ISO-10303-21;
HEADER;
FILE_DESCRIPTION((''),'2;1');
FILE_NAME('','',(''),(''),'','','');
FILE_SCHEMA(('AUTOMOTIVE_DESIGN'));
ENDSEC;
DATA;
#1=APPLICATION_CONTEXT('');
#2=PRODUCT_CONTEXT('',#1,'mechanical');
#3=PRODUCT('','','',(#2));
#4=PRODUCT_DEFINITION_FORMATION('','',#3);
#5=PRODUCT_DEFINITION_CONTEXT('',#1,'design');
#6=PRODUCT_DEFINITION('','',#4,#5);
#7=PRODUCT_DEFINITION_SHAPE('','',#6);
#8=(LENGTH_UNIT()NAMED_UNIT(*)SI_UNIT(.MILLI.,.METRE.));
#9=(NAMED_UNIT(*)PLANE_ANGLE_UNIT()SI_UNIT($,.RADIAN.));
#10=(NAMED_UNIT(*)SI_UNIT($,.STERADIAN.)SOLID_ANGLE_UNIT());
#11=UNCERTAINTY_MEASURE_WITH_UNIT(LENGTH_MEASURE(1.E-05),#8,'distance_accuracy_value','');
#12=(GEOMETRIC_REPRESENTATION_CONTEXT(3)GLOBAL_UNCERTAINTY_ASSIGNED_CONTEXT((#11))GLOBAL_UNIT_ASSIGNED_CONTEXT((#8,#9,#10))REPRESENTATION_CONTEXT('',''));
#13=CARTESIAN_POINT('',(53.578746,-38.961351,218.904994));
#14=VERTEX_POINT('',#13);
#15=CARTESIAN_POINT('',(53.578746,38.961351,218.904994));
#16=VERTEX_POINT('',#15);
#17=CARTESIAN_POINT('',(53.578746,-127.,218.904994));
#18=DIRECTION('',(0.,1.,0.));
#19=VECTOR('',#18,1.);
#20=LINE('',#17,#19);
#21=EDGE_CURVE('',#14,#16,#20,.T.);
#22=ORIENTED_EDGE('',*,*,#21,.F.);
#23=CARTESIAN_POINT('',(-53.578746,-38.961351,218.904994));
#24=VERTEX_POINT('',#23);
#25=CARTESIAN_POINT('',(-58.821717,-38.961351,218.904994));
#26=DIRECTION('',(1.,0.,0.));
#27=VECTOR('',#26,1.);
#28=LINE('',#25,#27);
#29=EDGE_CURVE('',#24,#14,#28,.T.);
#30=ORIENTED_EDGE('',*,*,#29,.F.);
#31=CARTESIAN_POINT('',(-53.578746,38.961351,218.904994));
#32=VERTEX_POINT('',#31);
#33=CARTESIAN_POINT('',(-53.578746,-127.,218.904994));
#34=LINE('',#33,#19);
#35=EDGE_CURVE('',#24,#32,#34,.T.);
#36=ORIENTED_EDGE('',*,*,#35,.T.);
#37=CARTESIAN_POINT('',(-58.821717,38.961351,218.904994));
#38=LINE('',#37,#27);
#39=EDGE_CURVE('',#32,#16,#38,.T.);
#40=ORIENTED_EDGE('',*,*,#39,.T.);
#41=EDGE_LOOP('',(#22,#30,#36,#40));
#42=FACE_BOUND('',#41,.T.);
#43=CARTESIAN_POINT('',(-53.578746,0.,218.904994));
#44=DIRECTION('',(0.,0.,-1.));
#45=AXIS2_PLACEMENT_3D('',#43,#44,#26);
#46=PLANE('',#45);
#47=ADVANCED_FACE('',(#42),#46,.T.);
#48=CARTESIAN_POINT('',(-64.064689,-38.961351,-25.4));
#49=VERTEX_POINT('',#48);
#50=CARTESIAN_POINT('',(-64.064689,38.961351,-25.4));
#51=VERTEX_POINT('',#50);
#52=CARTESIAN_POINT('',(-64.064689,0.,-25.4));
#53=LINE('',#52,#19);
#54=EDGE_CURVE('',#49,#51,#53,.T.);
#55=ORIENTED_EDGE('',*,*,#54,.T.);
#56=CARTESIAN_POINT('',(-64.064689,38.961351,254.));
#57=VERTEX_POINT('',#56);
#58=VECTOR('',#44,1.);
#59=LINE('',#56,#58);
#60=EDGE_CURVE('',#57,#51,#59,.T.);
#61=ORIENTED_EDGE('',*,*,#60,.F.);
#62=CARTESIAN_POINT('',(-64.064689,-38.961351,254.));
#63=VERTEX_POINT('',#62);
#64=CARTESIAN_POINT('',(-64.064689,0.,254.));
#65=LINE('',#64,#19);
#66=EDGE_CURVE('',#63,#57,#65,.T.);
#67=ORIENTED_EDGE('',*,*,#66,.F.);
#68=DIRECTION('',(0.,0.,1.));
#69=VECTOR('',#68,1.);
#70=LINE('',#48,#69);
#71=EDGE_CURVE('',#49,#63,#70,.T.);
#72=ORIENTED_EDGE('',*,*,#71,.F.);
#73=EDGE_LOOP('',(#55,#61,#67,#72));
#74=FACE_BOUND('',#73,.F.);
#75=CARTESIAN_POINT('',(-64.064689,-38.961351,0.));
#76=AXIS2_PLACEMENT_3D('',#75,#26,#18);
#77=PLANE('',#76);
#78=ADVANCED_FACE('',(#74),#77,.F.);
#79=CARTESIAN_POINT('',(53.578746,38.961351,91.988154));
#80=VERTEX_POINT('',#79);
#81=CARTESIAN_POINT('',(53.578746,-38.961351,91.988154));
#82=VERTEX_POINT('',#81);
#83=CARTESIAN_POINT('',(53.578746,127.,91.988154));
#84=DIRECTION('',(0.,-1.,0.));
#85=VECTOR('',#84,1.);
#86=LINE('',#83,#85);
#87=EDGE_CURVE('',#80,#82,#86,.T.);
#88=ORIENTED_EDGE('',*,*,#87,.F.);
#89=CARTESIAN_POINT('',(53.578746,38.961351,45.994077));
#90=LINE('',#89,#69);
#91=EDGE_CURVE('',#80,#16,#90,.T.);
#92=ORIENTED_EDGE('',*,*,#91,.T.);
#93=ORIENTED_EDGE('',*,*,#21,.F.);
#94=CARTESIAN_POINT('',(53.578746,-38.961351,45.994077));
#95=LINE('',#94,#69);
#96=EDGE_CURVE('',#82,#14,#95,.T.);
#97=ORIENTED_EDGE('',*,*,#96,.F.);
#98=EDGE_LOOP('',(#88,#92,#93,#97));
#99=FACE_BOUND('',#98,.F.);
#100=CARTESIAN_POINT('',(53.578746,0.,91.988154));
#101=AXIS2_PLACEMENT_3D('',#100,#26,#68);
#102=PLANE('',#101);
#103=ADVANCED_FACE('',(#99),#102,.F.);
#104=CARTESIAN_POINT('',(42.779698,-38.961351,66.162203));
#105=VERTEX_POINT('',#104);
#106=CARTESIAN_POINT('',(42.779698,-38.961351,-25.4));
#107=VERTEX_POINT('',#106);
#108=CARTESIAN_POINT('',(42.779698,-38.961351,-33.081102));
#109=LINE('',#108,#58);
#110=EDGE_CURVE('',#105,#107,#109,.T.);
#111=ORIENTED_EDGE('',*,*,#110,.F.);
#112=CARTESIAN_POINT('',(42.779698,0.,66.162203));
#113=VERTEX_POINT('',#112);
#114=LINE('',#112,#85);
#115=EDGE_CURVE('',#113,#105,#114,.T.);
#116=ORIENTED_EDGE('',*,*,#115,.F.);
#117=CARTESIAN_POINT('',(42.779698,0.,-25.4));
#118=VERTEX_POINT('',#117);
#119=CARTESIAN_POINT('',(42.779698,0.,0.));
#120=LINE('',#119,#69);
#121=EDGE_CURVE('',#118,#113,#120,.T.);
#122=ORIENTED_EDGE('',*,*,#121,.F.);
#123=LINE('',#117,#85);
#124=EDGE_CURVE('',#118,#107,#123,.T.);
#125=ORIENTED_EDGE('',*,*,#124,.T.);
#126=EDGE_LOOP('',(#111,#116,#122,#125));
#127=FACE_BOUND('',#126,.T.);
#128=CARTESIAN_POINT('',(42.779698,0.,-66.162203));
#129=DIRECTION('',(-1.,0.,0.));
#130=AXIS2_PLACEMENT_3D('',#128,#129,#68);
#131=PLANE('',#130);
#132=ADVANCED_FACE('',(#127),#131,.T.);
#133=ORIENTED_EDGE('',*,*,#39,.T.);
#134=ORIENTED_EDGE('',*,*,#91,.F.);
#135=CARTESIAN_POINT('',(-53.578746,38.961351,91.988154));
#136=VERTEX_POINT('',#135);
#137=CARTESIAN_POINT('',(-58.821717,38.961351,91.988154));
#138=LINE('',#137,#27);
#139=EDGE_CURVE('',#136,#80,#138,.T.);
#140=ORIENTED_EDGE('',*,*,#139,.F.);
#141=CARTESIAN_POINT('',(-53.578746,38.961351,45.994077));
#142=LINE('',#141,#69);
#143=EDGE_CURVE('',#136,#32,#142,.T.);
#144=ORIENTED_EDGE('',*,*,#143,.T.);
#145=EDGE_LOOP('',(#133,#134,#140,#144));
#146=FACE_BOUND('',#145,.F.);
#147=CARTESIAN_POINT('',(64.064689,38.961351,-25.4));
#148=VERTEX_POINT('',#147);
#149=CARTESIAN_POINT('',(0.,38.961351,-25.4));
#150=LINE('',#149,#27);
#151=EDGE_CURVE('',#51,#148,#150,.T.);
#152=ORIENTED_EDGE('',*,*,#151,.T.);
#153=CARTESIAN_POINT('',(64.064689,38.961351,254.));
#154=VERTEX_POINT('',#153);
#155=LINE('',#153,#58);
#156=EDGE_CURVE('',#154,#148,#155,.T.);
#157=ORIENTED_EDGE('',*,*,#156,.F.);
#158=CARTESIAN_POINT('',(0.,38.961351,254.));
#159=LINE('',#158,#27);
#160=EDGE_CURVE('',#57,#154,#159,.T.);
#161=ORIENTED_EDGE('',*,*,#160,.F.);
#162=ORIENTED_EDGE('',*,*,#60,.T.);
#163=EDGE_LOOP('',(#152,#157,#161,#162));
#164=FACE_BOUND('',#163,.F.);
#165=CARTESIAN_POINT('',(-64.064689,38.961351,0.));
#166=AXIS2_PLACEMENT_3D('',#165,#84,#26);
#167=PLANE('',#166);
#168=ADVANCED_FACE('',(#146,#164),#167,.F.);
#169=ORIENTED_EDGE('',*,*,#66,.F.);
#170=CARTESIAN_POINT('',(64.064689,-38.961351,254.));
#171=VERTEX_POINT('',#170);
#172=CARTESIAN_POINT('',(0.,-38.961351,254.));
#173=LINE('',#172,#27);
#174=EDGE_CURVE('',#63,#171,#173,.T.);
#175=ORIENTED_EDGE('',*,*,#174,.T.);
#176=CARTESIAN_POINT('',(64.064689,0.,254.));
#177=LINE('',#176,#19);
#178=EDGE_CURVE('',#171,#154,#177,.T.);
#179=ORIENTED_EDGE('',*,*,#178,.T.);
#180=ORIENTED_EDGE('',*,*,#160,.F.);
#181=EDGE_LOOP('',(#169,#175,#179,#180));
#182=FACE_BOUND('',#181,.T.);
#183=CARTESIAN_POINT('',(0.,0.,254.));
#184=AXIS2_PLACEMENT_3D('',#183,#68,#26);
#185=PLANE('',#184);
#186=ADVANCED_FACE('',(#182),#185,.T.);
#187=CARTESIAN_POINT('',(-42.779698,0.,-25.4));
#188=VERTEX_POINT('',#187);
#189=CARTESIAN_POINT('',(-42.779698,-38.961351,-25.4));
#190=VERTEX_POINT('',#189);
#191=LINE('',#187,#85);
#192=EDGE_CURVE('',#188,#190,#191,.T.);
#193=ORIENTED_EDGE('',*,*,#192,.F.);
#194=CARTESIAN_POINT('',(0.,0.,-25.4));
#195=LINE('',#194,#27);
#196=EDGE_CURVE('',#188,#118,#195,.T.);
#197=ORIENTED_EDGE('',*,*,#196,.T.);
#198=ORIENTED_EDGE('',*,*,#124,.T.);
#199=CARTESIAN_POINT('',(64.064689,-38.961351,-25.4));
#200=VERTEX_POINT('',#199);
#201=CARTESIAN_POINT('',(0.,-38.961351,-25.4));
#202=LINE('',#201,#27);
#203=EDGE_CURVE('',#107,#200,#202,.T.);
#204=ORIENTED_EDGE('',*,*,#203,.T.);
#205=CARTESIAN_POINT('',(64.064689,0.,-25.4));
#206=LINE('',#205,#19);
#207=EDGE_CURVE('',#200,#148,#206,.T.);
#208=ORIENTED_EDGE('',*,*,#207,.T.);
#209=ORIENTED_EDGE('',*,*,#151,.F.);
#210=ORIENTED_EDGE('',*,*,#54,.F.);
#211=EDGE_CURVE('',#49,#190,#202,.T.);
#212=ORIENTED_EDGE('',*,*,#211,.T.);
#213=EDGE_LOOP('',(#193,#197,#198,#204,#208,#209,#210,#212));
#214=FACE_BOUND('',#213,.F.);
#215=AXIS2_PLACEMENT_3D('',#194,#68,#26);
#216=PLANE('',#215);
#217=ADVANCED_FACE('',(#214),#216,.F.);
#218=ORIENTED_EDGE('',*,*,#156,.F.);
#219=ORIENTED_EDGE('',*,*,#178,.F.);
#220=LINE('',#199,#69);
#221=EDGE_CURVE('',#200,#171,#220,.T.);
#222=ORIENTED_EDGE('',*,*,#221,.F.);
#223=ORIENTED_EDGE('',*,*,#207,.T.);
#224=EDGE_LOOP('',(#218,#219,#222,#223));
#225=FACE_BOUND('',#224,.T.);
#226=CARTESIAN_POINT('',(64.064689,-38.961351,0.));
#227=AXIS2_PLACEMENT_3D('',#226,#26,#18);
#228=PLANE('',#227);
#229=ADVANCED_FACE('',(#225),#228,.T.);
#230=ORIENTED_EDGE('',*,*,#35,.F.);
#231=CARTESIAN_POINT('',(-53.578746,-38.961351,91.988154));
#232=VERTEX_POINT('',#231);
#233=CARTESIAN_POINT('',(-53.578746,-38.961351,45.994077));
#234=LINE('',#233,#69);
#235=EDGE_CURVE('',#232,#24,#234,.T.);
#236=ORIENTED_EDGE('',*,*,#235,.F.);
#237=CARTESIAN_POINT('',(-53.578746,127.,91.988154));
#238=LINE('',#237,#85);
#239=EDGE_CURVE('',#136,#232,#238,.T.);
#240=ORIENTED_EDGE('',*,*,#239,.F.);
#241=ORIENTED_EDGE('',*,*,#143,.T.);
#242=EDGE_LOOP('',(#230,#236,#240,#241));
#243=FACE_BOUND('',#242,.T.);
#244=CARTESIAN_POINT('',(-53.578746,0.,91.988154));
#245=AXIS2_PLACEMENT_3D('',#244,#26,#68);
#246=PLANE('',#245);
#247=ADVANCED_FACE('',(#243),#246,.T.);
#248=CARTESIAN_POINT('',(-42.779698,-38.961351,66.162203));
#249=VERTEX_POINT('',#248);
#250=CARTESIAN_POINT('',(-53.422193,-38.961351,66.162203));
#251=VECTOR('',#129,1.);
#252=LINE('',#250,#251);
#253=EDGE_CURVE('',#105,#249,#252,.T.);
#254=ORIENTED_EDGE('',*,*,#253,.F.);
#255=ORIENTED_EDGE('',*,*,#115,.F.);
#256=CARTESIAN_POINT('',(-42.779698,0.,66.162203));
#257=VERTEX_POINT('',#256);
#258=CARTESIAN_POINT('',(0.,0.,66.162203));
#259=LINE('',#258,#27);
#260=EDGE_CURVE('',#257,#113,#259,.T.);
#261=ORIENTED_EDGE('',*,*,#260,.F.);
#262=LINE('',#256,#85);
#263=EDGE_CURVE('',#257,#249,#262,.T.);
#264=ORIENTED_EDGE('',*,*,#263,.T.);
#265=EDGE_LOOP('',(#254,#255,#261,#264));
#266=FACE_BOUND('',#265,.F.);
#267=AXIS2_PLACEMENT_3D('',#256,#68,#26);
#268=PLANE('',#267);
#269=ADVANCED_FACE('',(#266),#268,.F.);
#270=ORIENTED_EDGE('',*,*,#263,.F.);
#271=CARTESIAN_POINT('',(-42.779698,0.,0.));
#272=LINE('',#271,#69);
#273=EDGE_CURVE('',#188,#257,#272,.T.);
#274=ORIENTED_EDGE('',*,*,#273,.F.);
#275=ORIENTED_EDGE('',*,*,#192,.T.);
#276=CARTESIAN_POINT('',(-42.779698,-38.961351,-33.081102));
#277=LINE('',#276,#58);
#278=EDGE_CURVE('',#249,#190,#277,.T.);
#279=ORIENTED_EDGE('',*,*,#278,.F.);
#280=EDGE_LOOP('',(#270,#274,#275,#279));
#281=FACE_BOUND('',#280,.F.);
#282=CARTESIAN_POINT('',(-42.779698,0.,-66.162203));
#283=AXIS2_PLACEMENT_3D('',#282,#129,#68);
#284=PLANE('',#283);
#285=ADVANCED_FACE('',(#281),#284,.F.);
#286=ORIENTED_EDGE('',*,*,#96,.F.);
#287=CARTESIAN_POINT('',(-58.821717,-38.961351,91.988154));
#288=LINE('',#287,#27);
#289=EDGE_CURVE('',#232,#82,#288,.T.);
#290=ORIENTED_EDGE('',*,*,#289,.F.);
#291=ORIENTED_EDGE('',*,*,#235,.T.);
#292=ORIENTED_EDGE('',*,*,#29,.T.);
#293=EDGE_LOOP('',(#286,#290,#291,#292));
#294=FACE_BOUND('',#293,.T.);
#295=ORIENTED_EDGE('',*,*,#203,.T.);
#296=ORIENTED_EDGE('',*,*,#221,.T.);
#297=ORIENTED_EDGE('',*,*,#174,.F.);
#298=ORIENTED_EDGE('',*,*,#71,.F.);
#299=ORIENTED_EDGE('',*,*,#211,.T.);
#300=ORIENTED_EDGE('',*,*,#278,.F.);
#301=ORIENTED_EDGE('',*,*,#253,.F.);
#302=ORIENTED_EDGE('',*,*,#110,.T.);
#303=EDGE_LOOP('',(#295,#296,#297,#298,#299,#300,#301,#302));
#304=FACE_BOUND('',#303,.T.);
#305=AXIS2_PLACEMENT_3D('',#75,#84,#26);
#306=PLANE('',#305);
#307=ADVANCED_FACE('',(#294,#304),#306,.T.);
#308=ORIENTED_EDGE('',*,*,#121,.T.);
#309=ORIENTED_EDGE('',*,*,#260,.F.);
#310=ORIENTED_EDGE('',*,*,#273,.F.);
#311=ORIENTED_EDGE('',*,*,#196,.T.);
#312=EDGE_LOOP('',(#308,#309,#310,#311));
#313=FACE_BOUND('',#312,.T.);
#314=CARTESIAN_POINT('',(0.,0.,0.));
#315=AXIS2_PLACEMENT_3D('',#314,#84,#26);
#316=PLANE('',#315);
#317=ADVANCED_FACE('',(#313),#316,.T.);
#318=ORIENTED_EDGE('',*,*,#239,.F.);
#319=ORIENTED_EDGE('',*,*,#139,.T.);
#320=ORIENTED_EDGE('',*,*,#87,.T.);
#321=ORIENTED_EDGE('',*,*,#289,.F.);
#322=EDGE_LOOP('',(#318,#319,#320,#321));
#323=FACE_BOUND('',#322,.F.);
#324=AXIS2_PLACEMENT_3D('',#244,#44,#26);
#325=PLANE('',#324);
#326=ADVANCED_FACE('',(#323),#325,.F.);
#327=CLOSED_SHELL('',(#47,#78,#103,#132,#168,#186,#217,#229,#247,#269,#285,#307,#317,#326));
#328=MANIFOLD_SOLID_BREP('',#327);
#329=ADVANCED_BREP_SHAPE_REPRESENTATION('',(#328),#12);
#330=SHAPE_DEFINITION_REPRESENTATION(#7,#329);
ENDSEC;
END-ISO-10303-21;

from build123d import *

# Parameters (mm, degrees)
F0_W          = 128.129378
F0_H          = 77.922702
F1_DEPTH      = 254
F1_DEPTH_BACK = 25.4
F2_W          = 85.559396
F2_H          = 132.324406
F3_DEPTH      = 254
F4_W          = 107.157492
F4_H          = 126.91684
F5_DEPTH      = 127


with BuildPart() as f1:
    # F0 (on Top) → F1 (new body, two sides)
    with BuildSketch(Plane.XY) as f1_sk:
        Rectangle(F0_W, F0_H)
    extrude(amount=F1_DEPTH)
    extrude(f1_sk.sketch, amount=-F1_DEPTH_BACK)

    # F2 (on Front) → F3 (cut)
    with BuildSketch(Plane.XZ):
        Rectangle(F2_W, F2_H)
    extrude(amount=F3_DEPTH, mode=Mode.SUBTRACT)

    # F4 (on Front) → F5 (cut, symmetric)
    with BuildSketch(Plane.XZ):
        with Locations((0, 155.446574)):
            Rectangle(F4_W, F4_H)
    extrude(amount=F5_DEPTH, both=True, mode=Mode.SUBTRACT)


solid = f1.part
